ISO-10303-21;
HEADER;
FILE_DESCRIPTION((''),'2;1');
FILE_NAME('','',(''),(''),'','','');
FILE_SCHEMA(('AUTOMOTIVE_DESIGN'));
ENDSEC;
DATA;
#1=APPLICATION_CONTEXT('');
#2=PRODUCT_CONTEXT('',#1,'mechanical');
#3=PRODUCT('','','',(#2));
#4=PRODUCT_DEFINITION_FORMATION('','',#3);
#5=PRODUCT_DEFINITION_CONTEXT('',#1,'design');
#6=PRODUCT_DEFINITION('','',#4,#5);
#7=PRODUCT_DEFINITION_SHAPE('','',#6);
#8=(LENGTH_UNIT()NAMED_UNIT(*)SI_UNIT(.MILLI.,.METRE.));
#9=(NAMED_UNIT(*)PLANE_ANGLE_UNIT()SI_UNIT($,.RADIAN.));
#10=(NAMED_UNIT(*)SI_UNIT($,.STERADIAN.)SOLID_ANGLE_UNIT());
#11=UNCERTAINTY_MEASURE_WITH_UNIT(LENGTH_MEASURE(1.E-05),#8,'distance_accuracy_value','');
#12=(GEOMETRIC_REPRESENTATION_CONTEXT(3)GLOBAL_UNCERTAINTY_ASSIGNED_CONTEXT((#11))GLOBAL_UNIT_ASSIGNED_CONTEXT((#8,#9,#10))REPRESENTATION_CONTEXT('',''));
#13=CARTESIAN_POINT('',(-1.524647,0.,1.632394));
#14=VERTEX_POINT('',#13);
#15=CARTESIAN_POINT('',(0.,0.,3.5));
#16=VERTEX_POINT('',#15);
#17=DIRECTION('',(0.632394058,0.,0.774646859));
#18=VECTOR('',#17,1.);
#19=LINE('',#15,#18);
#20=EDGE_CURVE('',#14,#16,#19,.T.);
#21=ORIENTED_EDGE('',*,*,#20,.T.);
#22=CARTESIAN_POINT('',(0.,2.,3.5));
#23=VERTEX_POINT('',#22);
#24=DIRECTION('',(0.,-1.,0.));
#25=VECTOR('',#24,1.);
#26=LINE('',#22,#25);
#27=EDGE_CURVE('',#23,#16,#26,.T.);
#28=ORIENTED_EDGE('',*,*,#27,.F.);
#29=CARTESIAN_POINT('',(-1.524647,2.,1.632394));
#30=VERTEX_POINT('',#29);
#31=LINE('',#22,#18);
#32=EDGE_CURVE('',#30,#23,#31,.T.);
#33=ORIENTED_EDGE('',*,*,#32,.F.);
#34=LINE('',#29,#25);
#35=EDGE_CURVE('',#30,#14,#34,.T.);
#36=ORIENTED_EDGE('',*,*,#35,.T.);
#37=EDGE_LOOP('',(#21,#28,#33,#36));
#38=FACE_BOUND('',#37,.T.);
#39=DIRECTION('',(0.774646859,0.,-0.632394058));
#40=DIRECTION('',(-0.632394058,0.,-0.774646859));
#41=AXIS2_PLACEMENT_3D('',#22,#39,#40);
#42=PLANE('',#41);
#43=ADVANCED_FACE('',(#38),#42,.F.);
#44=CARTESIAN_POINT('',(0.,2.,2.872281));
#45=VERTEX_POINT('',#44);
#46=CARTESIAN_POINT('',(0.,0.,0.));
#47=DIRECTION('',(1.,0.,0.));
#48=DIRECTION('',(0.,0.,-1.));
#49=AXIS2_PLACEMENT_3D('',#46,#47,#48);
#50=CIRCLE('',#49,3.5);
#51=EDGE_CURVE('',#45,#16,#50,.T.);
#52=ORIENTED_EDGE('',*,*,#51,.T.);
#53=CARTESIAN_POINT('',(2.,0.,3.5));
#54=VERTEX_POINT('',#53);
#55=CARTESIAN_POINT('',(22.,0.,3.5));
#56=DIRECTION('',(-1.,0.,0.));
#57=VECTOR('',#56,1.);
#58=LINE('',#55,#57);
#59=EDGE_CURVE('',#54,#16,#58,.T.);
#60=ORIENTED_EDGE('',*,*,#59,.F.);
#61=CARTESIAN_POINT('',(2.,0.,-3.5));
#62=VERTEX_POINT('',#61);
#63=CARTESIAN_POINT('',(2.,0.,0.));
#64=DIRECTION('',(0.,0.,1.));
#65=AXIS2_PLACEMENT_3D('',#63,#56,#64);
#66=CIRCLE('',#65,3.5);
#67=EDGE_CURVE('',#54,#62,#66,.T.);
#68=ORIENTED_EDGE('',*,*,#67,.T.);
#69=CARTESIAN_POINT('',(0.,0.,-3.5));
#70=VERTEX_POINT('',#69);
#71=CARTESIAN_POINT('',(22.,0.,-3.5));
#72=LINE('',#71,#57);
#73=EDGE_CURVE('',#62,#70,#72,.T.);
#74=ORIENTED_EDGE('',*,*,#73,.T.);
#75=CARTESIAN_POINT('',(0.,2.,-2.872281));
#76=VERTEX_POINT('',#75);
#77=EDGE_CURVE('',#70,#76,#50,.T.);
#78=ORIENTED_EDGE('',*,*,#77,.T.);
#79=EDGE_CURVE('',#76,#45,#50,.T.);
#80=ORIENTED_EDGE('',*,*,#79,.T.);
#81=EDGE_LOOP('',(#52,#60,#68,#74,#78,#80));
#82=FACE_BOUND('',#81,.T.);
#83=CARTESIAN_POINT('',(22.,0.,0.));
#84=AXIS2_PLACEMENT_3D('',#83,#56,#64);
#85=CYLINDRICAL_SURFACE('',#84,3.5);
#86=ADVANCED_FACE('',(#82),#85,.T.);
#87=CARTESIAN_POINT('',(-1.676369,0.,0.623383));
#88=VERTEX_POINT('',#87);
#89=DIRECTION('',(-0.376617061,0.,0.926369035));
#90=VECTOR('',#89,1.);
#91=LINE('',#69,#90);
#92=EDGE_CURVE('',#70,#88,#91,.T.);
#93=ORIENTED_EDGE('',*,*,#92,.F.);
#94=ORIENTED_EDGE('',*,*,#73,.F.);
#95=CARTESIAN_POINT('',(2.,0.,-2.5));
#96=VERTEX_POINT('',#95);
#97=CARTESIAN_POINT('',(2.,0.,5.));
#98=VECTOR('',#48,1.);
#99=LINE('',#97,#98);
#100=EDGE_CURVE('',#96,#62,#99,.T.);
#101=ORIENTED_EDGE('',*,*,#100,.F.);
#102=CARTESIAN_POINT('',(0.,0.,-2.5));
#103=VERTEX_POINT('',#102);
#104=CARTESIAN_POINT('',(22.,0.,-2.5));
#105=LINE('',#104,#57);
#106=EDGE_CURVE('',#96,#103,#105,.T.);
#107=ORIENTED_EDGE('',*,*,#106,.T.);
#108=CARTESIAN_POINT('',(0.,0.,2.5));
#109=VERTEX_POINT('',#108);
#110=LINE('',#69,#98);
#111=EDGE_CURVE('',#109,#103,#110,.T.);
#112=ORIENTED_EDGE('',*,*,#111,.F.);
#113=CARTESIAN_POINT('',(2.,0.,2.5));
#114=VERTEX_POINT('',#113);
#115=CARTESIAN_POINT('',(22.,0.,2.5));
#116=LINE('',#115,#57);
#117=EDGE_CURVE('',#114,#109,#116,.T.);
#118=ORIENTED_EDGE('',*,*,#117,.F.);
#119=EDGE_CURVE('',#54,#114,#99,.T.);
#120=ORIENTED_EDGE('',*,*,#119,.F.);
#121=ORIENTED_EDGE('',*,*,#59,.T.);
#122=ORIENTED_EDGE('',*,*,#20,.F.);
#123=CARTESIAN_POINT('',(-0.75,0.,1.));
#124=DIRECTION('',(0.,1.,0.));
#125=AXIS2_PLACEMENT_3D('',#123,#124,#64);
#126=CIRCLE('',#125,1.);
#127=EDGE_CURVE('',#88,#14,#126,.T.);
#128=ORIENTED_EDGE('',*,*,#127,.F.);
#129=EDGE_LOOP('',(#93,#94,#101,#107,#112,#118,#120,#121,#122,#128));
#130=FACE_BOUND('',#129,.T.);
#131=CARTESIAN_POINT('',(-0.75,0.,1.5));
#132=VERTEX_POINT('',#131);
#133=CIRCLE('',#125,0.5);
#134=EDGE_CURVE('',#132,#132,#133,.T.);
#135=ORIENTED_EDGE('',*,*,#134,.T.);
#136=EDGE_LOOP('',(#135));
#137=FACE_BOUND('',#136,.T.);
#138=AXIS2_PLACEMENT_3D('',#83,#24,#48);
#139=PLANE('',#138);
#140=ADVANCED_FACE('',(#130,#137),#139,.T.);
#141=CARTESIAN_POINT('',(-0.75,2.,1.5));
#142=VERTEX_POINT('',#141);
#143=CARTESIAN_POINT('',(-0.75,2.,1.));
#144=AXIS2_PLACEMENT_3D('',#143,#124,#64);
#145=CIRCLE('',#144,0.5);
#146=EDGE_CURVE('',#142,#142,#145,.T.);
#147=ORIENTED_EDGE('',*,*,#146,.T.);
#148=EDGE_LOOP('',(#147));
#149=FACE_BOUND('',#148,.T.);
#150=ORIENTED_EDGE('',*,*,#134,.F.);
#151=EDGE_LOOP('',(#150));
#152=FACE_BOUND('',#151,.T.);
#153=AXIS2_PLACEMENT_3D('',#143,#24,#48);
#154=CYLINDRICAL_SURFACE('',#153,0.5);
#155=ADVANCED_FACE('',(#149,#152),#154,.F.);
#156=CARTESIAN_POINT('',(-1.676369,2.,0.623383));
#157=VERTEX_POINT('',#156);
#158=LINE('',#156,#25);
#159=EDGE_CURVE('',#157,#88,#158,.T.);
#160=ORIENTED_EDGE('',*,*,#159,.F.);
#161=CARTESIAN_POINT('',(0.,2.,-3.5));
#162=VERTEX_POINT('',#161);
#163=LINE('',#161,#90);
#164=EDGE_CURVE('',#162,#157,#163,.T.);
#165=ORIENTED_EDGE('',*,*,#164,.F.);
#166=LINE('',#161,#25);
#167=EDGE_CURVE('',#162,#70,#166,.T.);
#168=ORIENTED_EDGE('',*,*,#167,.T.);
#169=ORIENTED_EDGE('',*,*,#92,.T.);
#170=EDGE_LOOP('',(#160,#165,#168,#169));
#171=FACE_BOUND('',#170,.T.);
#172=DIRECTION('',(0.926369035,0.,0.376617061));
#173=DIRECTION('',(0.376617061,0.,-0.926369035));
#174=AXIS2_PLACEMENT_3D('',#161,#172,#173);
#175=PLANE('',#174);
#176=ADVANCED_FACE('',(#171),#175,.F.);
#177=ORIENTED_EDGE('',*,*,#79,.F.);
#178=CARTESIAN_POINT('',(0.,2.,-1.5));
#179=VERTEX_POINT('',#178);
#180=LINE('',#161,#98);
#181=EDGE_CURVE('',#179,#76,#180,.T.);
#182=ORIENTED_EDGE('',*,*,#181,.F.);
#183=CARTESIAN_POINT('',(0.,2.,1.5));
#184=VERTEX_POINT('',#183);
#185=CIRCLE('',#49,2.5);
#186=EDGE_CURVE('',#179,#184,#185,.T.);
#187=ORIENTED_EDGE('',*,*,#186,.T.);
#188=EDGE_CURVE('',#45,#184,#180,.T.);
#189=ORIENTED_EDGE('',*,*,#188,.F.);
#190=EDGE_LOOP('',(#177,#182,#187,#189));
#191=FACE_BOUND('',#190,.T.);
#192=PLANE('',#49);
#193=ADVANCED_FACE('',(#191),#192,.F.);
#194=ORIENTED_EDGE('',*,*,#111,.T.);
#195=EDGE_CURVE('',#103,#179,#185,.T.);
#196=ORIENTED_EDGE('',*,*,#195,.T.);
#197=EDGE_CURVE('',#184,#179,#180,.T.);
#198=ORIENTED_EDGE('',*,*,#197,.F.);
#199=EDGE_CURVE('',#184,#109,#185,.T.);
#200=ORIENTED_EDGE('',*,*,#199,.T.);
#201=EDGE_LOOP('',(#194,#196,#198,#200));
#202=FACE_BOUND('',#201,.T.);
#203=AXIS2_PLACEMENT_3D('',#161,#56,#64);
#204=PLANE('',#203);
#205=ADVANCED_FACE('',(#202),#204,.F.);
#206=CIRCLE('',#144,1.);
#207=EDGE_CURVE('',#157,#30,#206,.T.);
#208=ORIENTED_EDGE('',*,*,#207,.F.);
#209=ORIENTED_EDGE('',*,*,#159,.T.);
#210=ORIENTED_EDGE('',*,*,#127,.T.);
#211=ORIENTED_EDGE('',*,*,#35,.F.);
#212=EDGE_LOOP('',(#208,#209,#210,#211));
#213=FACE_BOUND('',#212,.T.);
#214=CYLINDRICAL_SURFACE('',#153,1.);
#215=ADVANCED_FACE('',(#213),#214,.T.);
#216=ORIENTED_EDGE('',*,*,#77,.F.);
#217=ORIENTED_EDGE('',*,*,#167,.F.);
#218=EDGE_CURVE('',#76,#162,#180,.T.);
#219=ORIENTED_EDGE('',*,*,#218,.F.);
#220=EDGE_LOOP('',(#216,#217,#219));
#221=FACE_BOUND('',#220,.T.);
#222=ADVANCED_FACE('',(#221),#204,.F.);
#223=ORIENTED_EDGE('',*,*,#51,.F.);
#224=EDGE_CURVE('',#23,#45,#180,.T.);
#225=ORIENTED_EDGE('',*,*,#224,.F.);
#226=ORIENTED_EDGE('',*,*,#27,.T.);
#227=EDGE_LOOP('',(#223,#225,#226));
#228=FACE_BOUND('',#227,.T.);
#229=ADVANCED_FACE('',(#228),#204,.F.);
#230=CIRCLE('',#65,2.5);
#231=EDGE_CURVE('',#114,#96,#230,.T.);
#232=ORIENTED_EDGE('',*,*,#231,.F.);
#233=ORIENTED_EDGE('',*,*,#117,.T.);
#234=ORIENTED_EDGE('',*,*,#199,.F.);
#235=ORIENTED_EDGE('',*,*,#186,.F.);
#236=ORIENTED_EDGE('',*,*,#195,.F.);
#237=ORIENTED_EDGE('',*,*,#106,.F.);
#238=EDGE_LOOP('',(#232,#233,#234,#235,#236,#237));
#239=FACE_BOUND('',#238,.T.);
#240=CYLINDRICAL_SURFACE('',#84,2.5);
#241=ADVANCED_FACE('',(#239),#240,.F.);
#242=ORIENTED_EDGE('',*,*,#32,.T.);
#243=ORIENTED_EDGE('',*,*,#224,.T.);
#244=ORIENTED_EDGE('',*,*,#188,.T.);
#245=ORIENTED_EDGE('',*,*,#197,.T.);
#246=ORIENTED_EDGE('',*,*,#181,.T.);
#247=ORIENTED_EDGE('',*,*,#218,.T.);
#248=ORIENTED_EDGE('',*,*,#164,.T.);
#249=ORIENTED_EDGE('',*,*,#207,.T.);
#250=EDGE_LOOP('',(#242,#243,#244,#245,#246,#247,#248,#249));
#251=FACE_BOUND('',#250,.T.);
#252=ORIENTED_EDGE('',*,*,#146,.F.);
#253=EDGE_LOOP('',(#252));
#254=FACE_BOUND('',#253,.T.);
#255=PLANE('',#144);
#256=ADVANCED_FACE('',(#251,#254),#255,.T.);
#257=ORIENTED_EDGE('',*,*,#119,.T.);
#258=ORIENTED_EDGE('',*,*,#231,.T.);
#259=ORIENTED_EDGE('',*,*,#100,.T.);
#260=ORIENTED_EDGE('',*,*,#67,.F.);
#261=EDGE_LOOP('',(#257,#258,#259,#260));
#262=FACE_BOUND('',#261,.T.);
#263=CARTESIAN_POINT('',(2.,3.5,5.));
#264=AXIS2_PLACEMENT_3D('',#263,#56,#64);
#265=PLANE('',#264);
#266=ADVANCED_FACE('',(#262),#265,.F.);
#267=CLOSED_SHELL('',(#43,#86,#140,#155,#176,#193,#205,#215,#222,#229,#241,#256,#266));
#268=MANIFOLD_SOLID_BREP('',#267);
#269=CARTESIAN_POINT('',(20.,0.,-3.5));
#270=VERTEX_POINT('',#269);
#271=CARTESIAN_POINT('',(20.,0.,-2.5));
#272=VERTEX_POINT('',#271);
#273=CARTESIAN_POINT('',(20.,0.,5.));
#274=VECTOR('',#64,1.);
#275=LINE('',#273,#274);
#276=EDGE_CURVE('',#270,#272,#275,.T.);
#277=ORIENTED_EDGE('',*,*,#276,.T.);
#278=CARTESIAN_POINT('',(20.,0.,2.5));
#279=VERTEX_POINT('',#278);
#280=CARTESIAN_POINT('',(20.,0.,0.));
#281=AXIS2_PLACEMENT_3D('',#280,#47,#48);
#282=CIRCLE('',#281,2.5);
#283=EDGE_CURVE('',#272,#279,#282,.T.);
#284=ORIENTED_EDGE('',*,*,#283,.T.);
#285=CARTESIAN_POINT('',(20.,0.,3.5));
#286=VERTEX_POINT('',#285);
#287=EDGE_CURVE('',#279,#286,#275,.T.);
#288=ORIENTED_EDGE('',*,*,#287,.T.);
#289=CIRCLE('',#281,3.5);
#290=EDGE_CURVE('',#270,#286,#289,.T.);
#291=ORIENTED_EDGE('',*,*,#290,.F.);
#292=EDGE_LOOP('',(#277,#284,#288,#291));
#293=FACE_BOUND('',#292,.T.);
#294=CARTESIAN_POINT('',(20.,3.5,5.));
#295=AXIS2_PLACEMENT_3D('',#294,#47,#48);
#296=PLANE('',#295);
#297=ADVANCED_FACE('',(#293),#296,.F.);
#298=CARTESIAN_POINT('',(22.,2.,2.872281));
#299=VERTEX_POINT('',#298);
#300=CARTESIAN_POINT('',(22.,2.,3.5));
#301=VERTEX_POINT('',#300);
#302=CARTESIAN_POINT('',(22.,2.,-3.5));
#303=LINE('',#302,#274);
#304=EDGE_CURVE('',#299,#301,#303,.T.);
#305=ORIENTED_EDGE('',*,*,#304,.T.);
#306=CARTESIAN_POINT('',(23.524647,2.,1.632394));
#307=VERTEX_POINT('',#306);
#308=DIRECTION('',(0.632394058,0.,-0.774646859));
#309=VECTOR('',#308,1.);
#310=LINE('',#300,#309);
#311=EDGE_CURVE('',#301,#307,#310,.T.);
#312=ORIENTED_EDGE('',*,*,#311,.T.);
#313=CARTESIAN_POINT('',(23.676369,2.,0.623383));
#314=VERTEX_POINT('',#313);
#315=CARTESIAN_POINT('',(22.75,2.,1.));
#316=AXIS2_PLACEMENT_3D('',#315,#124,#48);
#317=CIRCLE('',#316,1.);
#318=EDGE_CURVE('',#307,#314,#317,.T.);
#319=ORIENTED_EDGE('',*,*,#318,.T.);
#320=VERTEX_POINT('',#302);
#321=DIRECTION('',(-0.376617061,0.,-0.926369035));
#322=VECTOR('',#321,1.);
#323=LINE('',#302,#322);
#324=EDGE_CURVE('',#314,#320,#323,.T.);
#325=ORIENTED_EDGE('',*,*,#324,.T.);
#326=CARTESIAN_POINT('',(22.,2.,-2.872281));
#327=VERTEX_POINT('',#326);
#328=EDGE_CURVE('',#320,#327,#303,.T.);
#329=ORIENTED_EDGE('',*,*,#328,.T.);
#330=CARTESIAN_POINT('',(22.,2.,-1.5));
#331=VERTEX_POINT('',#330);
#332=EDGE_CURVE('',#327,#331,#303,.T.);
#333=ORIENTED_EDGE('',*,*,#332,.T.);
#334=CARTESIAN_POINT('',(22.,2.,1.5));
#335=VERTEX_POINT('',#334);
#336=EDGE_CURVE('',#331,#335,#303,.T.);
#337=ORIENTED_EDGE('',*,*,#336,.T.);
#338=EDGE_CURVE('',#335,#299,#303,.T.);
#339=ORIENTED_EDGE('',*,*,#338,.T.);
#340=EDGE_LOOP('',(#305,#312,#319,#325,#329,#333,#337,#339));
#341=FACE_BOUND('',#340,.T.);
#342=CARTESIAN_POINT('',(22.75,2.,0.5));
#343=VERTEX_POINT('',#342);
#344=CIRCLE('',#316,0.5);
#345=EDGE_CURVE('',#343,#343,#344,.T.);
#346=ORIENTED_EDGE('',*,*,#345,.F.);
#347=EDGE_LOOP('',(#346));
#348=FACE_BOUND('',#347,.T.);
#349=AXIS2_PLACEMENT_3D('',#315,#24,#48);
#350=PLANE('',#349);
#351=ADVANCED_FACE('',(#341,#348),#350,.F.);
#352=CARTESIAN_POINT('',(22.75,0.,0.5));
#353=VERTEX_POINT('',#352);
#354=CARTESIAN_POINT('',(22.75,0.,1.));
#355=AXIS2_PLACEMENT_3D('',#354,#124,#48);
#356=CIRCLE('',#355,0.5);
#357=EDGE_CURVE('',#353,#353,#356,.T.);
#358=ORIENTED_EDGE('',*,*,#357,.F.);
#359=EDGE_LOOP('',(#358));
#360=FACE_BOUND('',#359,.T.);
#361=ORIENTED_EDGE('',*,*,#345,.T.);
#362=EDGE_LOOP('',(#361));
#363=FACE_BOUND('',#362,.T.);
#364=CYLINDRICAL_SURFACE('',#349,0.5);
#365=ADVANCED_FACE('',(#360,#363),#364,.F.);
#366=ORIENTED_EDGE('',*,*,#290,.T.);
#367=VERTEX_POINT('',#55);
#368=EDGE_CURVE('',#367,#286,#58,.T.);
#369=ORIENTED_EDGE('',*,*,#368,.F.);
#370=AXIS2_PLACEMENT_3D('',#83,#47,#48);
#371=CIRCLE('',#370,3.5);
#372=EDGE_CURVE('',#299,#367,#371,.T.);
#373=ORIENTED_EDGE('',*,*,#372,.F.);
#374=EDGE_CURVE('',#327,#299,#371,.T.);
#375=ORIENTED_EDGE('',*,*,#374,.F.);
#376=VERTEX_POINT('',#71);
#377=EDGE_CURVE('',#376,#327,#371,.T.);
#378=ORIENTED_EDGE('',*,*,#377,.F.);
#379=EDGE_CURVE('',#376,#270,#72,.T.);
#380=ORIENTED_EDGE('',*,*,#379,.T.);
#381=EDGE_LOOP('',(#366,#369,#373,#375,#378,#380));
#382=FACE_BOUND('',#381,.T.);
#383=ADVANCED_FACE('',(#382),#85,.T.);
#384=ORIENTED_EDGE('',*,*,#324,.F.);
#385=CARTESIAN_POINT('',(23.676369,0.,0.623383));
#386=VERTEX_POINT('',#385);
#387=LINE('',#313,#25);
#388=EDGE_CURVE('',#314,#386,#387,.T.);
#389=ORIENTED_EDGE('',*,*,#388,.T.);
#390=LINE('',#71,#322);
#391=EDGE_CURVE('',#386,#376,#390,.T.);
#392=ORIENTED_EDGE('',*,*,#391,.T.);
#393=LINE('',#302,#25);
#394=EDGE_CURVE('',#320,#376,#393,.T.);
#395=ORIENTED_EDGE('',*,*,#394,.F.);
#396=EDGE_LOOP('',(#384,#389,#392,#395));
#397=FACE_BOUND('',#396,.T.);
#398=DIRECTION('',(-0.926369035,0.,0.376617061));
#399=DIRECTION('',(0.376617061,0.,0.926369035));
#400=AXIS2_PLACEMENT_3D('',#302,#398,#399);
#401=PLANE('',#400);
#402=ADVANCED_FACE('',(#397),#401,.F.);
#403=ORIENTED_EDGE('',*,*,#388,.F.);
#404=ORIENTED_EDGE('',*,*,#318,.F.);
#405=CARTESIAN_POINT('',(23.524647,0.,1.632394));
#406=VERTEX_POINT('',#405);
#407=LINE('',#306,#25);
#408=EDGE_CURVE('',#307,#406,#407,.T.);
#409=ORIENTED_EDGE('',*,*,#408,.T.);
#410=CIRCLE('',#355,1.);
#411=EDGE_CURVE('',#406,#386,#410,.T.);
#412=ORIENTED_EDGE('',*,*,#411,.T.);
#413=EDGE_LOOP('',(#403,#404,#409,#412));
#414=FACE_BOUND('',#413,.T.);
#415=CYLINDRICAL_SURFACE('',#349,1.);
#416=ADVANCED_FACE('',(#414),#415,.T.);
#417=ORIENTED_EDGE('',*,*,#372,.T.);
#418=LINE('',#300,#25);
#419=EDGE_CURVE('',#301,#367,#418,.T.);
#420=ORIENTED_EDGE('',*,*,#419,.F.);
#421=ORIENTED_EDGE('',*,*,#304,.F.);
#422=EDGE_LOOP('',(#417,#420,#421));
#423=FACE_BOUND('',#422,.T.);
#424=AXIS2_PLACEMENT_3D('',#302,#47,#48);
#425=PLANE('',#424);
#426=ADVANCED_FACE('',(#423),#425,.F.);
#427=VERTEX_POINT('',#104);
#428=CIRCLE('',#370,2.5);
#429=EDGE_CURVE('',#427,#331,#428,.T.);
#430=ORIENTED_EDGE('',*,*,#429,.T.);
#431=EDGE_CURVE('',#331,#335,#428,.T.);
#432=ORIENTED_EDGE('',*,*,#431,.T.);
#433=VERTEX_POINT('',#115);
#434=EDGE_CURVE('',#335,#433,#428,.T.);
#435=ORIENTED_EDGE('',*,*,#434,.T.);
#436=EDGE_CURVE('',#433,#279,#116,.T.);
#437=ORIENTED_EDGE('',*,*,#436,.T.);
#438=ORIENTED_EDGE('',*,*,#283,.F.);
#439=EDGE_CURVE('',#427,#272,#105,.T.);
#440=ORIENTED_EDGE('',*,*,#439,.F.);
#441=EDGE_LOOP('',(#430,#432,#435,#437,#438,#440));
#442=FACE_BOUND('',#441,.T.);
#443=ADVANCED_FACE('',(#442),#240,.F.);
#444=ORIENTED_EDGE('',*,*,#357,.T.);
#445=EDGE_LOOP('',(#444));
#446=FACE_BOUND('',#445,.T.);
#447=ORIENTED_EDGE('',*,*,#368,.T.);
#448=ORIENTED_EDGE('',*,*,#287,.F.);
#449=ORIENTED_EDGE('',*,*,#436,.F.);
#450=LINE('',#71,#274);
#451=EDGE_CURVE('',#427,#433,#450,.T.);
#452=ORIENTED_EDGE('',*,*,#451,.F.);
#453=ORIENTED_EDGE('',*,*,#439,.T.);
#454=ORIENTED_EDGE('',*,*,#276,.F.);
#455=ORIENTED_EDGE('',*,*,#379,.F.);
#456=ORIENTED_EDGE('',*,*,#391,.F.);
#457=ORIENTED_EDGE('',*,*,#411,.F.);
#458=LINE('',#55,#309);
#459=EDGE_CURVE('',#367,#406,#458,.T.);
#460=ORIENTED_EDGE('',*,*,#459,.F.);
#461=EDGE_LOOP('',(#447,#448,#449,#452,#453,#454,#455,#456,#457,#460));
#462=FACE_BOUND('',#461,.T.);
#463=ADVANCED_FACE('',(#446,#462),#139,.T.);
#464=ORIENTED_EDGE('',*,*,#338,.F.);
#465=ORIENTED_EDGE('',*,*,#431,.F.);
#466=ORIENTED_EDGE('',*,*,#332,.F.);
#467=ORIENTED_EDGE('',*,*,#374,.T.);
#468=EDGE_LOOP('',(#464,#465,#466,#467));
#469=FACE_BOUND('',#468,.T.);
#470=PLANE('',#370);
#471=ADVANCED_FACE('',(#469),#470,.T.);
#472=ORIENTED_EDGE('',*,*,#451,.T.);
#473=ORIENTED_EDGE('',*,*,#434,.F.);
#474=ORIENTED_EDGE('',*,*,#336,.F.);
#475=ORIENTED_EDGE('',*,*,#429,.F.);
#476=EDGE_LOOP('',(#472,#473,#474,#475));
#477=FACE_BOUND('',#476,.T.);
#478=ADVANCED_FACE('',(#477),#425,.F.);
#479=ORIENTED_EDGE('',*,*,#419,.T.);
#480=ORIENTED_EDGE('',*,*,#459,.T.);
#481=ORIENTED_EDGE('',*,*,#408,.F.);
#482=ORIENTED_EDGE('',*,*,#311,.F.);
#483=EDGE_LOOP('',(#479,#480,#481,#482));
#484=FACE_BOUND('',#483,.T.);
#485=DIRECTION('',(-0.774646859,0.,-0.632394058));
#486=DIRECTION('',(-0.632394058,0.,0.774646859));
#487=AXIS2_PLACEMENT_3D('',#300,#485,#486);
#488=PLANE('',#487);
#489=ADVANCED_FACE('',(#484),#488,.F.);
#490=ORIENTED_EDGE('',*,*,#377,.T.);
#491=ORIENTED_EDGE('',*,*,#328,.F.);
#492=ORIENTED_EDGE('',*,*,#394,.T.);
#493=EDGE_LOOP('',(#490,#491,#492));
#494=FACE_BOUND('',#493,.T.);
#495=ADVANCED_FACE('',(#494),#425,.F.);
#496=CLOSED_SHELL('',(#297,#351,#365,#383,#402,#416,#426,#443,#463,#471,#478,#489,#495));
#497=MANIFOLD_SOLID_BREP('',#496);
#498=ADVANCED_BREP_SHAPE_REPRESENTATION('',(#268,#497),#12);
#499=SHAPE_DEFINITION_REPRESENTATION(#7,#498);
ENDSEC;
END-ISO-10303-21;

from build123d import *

# Parameters (mm, degrees)
BOSS_EXTRUDE1_DEPTH = 22
SKETCH6_R           = 0.5
BOSS_EXTRUDE4_DEPTH = 2
SKETCH3_W           = 18
SKETCH3_H           = 10
CUT_EXTRUDE1_DEPTH  = 25.260307088


with BuildPart() as part:
    # Sketch1 → Boss-Extrude1 (new body)
    with BuildSketch(Plane(origin=(0, 0, 0), x_dir=(0, 0, -1), z_dir=(1, 0, 0))):
        with BuildLine():
            Line((2.5, 0), (3.5, 0))
            ThreePointArc((3.5, 0), (0, 3.5), (-3.5, 0))
            Line((-3.5, 0), (-2.5, 0))
            ThreePointArc((-2.5, 0), (0, 2.5), (2.5, 0))
        make_face()
    extrude(amount=BOSS_EXTRUDE1_DEPTH)

    # Sketch6 → Boss-Extrude4 (add)
    # profile 1 of 2: a face of its own
    with BuildSketch(Plane(origin=(0, 0, 0), x_dir=(1, 0, 0), z_dir=(0, 1, 0))):
        with BuildLine():
            Line((0, -3.5), (-1.524646859, -1.632394058))
            ThreePointArc((-1.524646859, -1.632394058), (-1.73888302, -1.14869557), (-1.676369035, -0.623382939))
            Line((-1.676369035, -0.623382939), (0, 3.5))
            Line((0, 3.5), (0, -3.5))
        make_face()
        with Locations(Location((-0.75, -1, 0), (0, 0, 270))):
            Circle(SKETCH6_R, mode=Mode.SUBTRACT)
    # profile 2 of 2: a face of its own
    with BuildSketch(Plane(origin=(0, 0, 0), x_dir=(1, 0, 0), z_dir=(0, 1, 0))):
        with BuildLine():
            Line((22, 3.5), (23.676369035, -0.623382939))
            ThreePointArc((23.676369035, -0.623382939), (23.73888302, -1.14869557), (23.524646859, -1.632394058))
            Line((23.524646859, -1.632394058), (22, -3.5))
            Line((22, -3.5), (22, 3.5))
        make_face()
        with Locations(Location((22.75, -1, 0), (0, 0, 90))):
            Circle(SKETCH6_R, mode=Mode.SUBTRACT)
    extrude(amount=BOSS_EXTRUDE4_DEPTH)

    # Sketch3 → Cut-Extrude1 (cut, through all)
    with BuildSketch(Plane.XZ):
        with Locations((11, 0)):
            Rectangle(SKETCH3_W, SKETCH3_H)
    extrude(amount=-CUT_EXTRUDE1_DEPTH, mode=Mode.SUBTRACT)


with BuildPart() as cut_extrude1_piece_1:
    # of the separate pieces the step leaves, piece 1, a body of its own (cut_extrude1_pieces)
    add(part.part.solids().sort_by_distance((20, 0, -2.5))[0])


with BuildPart() as cut_extrude1_piece_2:
    # of the separate pieces the step leaves, piece 2, a body of its own (cut_extrude1_pieces)
    add(part.part.solids().sort_by_distance((0, 0, -2.5))[0])


solid = Compound([cut_extrude1_piece_1.part, cut_extrude1_piece_2.part])
